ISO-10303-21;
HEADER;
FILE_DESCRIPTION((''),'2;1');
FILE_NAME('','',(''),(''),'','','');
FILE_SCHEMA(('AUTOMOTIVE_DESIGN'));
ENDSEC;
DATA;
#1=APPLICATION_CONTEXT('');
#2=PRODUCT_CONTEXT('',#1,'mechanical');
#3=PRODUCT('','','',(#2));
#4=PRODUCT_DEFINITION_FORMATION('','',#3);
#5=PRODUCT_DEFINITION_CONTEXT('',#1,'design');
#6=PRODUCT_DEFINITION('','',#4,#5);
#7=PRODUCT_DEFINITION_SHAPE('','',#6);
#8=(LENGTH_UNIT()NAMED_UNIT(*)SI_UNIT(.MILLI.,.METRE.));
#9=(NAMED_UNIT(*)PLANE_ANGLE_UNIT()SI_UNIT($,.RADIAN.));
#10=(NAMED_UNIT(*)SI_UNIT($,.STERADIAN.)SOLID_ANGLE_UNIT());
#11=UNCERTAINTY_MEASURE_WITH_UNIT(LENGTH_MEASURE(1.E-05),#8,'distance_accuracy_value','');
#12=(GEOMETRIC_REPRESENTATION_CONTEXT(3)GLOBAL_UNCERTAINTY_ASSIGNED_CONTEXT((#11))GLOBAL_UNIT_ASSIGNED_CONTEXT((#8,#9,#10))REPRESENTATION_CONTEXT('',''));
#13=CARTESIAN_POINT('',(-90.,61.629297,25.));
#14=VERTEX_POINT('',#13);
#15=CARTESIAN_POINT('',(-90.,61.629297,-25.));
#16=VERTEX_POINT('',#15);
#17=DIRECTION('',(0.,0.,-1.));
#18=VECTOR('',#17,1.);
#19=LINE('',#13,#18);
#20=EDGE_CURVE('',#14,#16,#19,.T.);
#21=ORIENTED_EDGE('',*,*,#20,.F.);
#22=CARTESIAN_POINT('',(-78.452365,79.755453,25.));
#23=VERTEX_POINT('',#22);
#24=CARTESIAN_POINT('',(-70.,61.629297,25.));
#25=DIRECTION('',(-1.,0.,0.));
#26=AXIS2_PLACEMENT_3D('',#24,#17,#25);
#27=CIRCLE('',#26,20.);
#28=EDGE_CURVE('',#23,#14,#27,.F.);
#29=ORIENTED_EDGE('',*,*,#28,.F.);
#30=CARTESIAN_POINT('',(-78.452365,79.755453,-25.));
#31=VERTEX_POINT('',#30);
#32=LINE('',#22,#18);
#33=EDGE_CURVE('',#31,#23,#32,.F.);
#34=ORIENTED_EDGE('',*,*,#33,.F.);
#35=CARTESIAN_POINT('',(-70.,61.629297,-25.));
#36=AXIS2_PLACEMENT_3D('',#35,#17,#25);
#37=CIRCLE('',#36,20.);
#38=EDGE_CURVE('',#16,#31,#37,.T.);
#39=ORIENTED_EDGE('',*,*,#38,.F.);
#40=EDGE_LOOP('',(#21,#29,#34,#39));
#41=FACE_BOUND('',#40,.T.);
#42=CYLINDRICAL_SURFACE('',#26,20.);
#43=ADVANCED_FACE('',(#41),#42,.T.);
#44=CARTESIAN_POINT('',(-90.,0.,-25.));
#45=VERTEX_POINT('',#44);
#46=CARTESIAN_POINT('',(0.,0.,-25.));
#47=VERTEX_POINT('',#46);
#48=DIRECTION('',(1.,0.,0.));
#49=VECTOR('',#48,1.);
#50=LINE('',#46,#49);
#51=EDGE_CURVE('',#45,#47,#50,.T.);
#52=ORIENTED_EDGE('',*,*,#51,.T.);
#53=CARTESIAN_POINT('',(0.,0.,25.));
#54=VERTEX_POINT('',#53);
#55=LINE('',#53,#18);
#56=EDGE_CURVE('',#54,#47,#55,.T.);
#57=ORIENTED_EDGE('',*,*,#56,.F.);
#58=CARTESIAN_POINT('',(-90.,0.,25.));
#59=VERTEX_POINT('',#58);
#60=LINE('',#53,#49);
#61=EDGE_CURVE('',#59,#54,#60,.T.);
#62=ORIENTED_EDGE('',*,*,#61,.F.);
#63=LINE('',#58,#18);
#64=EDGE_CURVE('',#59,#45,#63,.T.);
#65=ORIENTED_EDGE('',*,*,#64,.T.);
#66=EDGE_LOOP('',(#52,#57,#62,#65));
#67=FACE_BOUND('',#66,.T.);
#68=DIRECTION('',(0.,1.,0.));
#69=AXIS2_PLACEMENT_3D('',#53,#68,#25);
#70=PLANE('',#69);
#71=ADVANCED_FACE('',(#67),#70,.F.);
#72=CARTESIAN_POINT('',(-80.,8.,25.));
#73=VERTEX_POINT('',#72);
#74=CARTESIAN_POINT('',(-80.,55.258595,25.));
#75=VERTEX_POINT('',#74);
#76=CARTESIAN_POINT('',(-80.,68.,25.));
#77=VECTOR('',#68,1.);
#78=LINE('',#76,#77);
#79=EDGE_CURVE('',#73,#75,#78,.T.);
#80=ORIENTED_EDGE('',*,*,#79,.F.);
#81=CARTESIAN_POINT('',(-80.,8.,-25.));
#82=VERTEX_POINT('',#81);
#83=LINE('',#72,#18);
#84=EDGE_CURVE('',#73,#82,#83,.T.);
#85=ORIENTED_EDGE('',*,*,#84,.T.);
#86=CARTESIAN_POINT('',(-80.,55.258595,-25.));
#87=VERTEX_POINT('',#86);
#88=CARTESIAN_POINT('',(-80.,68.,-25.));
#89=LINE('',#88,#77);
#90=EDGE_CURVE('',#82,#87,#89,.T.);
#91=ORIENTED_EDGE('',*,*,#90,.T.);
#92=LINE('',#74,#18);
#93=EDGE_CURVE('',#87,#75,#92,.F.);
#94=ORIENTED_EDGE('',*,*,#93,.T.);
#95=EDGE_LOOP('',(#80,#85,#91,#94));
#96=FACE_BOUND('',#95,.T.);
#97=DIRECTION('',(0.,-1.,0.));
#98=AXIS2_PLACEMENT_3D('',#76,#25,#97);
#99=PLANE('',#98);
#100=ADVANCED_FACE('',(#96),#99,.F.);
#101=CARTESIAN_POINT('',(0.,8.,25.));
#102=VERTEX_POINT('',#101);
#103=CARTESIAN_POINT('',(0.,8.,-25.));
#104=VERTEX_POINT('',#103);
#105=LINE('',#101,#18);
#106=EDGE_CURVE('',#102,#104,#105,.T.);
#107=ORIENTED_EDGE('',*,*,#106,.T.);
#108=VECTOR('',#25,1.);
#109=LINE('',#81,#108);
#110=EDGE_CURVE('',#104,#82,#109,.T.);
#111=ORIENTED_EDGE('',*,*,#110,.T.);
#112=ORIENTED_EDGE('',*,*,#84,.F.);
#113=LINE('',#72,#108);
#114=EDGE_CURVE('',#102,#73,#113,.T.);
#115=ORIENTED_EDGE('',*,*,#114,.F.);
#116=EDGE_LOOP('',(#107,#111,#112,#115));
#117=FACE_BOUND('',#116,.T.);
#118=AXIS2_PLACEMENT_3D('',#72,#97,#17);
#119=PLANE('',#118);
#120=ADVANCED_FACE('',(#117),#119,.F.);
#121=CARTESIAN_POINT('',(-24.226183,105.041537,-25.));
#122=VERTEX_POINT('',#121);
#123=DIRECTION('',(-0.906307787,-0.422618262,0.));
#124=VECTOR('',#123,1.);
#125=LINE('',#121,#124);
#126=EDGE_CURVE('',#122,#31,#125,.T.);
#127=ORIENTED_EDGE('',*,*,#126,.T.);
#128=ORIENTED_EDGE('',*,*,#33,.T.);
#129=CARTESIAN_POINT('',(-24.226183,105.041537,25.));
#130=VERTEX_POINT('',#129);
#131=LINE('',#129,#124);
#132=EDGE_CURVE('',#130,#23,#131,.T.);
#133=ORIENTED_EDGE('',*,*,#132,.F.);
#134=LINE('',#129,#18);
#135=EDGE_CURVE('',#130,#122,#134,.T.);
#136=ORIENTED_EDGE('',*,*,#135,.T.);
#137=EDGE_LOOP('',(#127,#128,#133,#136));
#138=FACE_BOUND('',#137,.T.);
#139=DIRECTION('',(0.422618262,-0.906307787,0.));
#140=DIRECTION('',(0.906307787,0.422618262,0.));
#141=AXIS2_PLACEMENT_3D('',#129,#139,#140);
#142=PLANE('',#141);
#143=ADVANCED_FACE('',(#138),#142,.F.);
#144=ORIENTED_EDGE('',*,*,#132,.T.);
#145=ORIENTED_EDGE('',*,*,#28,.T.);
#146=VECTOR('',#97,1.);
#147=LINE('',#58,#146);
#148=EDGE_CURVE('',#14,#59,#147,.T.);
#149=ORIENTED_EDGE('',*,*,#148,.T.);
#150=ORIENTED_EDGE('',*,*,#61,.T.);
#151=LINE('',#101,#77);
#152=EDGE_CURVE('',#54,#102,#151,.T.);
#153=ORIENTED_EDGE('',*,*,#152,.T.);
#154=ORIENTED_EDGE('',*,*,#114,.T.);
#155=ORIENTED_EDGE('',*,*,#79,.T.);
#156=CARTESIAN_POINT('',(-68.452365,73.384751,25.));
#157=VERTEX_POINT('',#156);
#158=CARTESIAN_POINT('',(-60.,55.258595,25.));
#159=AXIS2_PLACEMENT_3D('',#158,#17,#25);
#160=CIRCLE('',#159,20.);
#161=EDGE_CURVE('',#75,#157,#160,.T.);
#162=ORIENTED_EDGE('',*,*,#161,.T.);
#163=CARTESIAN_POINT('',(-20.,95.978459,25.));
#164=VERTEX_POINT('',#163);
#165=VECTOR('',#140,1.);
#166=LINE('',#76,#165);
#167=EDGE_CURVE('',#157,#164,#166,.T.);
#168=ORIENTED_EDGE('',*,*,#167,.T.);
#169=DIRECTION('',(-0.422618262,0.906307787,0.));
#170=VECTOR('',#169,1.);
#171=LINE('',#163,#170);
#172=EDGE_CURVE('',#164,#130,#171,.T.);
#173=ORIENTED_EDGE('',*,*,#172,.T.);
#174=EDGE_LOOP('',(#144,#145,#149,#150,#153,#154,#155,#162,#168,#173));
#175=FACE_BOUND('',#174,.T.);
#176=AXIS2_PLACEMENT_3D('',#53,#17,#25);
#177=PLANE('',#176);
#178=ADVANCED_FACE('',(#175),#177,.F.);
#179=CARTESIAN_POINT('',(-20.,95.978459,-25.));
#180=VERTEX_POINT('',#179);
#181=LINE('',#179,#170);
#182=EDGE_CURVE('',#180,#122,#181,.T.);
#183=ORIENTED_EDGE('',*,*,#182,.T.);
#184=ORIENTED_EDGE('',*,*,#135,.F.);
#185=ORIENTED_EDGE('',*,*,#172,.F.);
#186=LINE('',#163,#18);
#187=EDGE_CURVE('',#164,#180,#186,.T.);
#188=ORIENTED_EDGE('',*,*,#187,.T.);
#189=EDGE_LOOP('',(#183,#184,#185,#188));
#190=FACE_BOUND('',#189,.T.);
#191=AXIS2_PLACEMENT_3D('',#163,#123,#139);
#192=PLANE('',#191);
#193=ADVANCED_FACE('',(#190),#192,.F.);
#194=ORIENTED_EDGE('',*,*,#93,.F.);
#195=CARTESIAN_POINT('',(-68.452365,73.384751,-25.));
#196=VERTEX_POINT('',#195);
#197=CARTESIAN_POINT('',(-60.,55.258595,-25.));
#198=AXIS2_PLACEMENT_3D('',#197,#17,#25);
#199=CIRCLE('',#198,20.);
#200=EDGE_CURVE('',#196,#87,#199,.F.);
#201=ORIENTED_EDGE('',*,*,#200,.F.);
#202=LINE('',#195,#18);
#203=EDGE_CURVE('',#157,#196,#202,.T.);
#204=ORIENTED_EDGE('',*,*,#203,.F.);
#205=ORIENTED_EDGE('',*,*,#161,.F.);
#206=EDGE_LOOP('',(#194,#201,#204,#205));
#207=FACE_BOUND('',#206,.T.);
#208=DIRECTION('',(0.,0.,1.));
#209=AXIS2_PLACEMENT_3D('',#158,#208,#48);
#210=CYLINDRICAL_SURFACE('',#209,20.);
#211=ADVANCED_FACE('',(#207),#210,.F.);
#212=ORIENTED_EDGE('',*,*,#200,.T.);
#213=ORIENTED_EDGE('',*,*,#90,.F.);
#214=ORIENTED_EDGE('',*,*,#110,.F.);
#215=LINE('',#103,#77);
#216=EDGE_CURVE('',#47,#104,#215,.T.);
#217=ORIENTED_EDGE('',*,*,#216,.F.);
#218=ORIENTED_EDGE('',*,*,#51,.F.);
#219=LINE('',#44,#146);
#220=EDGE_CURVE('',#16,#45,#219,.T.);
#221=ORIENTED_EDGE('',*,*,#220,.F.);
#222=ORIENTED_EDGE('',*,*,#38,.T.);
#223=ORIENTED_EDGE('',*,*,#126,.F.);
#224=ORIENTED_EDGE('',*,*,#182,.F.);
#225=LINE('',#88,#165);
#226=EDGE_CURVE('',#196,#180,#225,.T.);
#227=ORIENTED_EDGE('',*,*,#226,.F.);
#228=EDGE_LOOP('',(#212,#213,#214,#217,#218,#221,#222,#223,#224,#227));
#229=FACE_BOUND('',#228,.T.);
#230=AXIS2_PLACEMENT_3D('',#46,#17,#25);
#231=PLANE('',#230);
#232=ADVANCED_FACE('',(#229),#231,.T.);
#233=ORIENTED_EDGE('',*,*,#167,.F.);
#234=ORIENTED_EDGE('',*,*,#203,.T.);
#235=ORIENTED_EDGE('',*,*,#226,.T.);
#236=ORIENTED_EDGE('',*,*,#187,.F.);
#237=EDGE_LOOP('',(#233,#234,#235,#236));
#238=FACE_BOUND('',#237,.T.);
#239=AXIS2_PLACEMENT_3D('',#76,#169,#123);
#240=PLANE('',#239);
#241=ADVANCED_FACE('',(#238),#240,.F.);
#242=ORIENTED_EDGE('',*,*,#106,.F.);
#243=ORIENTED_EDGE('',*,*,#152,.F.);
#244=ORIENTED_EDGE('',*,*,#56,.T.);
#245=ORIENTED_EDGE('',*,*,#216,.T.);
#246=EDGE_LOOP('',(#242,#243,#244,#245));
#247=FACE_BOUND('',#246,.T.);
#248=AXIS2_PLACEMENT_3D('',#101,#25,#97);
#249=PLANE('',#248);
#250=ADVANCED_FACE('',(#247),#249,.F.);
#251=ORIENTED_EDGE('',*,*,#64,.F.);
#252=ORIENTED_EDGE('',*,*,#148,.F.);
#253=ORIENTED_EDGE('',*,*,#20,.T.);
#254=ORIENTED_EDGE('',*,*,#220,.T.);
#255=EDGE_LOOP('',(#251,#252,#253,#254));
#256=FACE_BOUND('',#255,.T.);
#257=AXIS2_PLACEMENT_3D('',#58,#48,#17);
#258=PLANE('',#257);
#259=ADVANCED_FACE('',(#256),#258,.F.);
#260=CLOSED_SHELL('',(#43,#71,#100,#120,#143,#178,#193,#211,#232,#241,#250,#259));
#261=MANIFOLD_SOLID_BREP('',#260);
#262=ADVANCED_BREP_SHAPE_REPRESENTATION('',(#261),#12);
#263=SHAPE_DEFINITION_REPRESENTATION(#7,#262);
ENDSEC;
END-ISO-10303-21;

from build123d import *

# Parameters (mm, degrees)
SALIENTE_EXTRUIR1_DEPTH = 25
REDONDEO1_R             = 20


with BuildPart() as part:
    # Croquis1 → Saliente-Extruir1 (new, symmetric)
    with BuildSketch(Plane.XY):
        Polygon((0, 8), (0, 0), (-90, 0), (-90, 74.370702608), (-24.226182617, 105.04153736), (-20, 95.978459489), (-80, 68), (-80, 8), align=None)
    extrude(amount=SALIENTE_EXTRUIR1_DEPTH, both=True)

    # Redondeo1
    redondeo1_edges = [part.edges().sort_by_distance(p)[0] for p in [
        (-90, 74.370702608, 0),
        (-80, 68, 0),
    ]]
    fillet(redondeo1_edges, radius=REDONDEO1_R)


solid = part.part
